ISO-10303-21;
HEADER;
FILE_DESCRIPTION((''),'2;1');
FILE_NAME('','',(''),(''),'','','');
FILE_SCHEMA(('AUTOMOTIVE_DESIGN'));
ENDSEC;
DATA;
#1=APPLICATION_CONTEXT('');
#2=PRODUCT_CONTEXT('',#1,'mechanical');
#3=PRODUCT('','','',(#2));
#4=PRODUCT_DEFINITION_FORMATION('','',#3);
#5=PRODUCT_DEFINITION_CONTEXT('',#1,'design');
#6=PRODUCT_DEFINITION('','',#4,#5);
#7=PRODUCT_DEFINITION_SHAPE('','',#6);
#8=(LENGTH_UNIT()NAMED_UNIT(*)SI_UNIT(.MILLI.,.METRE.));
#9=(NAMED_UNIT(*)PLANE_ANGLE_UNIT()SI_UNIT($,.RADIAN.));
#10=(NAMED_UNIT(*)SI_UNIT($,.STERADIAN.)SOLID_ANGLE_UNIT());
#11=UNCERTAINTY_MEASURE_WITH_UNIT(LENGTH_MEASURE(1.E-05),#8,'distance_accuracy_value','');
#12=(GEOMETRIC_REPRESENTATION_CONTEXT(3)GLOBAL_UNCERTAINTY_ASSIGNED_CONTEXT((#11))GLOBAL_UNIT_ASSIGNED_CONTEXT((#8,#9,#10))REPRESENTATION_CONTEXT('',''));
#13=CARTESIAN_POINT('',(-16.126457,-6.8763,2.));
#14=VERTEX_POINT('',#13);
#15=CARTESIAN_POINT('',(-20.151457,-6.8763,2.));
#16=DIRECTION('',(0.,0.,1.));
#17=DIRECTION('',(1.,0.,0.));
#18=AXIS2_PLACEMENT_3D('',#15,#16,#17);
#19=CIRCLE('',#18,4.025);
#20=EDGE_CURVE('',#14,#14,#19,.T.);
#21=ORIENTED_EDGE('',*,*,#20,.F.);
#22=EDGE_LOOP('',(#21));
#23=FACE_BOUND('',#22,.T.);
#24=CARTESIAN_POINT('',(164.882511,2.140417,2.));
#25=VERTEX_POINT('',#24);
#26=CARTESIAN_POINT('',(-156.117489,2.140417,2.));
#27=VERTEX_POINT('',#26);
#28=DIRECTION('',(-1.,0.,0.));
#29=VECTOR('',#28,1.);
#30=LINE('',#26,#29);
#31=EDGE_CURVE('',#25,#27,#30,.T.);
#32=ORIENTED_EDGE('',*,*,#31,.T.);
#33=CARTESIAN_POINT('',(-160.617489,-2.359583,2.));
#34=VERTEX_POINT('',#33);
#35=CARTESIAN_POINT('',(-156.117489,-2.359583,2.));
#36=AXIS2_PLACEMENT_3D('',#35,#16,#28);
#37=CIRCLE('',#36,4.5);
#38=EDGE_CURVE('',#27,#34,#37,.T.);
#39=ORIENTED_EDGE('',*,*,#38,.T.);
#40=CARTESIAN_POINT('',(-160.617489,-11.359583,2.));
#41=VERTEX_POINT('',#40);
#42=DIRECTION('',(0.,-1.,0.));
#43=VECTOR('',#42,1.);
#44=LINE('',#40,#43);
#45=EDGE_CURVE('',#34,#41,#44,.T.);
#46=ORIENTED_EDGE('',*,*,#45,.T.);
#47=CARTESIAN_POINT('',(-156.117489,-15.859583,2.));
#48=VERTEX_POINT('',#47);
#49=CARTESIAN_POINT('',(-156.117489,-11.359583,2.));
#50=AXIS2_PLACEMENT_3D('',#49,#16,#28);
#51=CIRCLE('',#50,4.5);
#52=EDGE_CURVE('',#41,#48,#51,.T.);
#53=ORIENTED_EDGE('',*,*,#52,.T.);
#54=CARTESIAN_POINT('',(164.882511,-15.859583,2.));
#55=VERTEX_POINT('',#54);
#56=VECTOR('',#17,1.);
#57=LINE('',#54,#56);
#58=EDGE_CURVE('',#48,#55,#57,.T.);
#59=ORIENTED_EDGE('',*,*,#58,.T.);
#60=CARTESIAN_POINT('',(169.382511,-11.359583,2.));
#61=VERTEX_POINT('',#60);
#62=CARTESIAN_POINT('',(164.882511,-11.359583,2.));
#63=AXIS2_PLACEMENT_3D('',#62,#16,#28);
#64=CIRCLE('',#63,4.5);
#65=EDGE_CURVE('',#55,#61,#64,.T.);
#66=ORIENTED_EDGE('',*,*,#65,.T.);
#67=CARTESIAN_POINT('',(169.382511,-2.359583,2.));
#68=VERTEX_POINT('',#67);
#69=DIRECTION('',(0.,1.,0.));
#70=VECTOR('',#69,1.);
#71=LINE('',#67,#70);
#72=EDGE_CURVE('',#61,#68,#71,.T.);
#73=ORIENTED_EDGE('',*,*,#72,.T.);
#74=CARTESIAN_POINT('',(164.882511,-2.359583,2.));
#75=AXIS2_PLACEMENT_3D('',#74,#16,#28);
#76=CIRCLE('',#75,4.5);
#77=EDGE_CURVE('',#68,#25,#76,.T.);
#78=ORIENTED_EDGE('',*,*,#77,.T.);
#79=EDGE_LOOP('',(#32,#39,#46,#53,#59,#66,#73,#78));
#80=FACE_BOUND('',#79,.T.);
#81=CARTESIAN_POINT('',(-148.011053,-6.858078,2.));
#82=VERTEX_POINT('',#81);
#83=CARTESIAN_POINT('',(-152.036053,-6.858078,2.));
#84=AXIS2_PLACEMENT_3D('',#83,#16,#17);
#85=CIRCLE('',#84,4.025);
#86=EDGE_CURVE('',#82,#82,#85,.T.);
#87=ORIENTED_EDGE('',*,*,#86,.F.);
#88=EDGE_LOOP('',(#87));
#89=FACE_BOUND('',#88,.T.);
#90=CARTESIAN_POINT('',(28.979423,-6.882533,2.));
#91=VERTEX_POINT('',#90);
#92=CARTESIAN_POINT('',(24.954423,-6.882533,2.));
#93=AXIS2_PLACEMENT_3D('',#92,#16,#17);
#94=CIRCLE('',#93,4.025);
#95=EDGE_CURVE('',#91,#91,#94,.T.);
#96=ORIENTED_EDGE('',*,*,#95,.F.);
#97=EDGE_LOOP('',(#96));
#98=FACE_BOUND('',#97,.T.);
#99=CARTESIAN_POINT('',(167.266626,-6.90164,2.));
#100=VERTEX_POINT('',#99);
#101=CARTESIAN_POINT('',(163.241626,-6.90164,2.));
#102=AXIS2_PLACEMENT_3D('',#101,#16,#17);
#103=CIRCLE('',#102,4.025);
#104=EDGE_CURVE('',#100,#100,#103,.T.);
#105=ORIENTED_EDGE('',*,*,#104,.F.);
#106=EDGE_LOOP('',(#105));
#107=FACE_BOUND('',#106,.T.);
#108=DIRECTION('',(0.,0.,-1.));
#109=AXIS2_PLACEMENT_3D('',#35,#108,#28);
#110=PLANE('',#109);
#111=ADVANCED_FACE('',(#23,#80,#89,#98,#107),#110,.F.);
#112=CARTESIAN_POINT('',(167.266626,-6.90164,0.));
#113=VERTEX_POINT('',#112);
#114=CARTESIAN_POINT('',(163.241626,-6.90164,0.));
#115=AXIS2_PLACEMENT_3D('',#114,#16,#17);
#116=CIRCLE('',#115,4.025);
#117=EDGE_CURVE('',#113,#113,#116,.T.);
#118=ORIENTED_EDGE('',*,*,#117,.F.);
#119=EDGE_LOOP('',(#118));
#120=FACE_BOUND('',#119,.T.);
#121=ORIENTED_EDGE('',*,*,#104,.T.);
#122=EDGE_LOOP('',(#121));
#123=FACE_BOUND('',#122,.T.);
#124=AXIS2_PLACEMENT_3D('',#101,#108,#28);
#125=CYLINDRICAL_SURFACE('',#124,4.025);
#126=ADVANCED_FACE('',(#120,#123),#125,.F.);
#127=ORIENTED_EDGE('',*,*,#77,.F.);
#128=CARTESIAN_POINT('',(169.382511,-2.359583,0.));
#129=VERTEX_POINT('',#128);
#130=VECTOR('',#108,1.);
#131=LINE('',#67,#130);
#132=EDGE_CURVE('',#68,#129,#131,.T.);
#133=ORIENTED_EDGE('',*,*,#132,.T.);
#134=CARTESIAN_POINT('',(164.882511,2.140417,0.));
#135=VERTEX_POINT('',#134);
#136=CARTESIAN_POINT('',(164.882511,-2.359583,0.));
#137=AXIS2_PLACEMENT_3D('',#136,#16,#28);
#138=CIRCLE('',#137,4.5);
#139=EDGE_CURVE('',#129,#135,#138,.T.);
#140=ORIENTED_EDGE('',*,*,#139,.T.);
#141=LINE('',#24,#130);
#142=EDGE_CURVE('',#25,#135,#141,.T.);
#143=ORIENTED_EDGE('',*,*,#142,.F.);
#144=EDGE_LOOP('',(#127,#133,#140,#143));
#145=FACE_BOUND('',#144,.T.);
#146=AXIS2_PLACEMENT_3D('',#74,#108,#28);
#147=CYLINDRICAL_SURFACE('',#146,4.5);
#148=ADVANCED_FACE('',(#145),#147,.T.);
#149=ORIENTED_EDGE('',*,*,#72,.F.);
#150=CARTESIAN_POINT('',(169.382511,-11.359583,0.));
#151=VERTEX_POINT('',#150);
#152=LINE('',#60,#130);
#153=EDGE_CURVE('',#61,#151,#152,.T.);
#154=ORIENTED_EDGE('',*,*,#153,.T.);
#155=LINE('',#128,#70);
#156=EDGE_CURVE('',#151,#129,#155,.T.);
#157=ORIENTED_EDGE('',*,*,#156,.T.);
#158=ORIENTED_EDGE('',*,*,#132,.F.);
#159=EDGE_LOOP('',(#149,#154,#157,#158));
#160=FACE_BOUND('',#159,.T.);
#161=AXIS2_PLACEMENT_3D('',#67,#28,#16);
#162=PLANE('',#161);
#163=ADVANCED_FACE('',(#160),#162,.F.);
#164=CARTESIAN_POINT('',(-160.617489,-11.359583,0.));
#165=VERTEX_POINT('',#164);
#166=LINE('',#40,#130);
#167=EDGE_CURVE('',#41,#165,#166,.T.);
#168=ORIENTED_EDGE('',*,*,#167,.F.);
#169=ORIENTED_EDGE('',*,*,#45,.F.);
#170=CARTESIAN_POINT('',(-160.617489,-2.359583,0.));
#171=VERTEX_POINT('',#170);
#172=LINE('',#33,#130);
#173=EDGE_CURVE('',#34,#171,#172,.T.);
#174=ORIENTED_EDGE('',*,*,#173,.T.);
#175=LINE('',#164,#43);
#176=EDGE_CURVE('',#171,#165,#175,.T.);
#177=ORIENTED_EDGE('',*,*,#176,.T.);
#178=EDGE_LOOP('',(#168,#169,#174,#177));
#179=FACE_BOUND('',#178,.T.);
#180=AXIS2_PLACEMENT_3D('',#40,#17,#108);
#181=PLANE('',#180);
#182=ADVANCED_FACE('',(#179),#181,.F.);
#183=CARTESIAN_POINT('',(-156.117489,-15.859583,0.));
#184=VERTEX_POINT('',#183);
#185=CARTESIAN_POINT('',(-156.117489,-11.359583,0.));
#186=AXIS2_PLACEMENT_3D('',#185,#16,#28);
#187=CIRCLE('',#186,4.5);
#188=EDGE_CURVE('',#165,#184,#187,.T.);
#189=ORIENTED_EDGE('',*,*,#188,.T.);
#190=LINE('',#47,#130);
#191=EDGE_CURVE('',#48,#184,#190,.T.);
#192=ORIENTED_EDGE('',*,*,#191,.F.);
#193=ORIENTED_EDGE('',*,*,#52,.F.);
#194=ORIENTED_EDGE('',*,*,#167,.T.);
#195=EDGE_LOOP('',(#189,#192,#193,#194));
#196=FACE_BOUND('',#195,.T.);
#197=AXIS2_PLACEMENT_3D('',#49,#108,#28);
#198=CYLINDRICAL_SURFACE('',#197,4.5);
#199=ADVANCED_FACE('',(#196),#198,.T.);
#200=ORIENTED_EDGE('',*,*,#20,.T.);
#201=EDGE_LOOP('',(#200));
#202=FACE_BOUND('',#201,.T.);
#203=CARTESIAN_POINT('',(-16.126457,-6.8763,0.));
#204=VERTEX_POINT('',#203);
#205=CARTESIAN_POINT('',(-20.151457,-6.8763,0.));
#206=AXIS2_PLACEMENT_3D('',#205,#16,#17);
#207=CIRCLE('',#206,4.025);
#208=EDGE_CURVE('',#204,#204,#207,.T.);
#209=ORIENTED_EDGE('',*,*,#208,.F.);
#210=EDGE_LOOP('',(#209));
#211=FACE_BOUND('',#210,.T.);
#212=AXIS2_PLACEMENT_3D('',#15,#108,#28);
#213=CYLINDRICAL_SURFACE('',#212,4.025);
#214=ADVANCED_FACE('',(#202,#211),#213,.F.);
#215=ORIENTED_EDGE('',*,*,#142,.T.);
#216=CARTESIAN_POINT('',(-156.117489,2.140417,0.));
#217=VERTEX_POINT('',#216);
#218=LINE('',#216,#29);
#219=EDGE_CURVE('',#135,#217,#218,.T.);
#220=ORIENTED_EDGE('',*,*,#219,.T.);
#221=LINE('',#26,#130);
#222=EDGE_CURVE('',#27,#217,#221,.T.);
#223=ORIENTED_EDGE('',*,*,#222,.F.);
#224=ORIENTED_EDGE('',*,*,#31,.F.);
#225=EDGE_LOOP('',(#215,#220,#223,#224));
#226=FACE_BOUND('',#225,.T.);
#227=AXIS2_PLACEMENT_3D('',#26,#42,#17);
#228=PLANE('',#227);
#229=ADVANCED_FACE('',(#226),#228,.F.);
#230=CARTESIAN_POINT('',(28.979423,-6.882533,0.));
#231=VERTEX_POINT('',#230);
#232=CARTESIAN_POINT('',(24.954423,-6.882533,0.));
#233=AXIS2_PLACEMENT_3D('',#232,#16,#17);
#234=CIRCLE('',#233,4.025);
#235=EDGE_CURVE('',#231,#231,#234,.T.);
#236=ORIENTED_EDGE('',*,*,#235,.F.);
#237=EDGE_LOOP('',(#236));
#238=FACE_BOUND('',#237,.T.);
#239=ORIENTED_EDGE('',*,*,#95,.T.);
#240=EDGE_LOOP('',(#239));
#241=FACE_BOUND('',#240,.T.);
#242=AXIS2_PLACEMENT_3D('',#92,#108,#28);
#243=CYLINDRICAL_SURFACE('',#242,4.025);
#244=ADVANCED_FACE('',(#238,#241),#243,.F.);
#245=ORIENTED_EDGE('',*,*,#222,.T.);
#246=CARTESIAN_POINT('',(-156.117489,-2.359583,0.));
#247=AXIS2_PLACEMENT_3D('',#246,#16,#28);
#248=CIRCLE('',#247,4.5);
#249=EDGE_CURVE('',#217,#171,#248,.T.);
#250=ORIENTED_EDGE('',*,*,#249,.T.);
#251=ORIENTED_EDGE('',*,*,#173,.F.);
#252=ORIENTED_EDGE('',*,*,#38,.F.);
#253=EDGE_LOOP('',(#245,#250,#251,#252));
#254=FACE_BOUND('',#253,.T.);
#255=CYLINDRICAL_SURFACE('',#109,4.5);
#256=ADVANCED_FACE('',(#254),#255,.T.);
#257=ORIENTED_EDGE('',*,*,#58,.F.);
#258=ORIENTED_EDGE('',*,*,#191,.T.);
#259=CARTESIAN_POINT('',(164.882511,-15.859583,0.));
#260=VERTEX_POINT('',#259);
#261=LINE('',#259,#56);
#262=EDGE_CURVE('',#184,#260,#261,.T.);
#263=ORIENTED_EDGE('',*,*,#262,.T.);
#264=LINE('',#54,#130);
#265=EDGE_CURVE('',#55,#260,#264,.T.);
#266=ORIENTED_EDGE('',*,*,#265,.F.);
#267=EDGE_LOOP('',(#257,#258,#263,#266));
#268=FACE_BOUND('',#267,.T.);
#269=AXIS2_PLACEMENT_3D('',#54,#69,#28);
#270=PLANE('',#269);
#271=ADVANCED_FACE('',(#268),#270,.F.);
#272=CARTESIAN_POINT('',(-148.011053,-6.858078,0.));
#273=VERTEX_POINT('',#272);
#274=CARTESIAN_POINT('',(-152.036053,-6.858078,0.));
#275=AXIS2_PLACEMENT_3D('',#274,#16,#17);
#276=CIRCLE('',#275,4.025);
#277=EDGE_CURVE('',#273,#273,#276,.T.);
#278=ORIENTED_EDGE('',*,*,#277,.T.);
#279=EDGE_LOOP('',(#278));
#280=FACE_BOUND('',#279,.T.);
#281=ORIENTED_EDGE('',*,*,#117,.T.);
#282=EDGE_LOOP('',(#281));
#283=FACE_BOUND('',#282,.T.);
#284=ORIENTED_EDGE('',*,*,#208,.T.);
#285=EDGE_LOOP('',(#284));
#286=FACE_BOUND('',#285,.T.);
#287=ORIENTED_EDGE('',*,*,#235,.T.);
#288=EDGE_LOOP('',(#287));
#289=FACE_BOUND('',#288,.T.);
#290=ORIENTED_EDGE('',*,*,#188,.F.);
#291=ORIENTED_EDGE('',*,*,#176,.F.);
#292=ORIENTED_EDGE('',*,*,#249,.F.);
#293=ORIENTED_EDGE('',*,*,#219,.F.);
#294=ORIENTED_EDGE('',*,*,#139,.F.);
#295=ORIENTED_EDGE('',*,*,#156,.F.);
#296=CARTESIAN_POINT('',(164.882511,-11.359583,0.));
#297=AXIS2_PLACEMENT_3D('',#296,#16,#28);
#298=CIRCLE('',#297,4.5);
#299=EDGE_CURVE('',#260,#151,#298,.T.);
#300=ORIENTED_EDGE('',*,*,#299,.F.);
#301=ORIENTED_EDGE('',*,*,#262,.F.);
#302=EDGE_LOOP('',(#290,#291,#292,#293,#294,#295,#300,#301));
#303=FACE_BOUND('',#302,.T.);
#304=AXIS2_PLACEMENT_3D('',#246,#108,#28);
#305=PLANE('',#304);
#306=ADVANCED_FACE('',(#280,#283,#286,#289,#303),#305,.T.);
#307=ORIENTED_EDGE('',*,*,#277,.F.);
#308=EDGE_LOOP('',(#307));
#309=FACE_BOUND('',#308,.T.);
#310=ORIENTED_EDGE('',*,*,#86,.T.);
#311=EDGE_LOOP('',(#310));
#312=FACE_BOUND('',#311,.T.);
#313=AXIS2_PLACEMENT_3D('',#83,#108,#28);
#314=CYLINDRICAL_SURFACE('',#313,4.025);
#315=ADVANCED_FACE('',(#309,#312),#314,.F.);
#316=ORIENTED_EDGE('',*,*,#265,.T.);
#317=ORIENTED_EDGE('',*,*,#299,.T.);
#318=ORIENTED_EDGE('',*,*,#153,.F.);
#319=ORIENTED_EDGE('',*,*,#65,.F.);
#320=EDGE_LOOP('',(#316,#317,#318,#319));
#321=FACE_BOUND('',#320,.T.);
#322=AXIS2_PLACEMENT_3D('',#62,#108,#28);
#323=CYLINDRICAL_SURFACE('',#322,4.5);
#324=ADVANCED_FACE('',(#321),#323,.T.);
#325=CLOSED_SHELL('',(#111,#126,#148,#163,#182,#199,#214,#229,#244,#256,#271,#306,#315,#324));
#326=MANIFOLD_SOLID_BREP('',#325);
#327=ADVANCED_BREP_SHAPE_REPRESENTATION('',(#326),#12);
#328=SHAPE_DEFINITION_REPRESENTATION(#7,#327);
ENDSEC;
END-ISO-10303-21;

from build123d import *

# Parameters (mm, degrees)
SKETCH1_R           = 4.025
BOSS_EXTRUDE1_DEPTH = 2


with BuildPart() as part:
    # Sketch1 → Boss-Extrude1 (new body)
    with BuildSketch(Plane.XY):
        with BuildLine():
            Line((-156.117488594, 2.14041693), (164.882511406, 2.14041693))
            ThreePointArc((164.882511406, 2.14041693), (168.064491921, 0.822397445), (169.382511406, -2.35958307))
            Line((169.382511406, -2.35958307), (169.382511406, -11.35958307))
            ThreePointArc((169.382511406, -11.35958307), (168.064491921, -14.541563585), (164.882511406, -15.85958307))
            Line((164.882511406, -15.85958307), (-156.117488594, -15.85958307))
            ThreePointArc((-156.117488594, -15.85958307), (-159.299469109, -14.541563585), (-160.617488594, -11.35958307))
            Line((-160.617488594, -11.35958307), (-160.617488594, -2.35958307))
            ThreePointArc((-160.617488594, -2.35958307), (-159.299469109, 0.822397445), (-156.117488594, 2.14041693))
        make_face()
        with Locations((-20.151456561, -6.876300424)):
            Circle(SKETCH1_R, mode=Mode.SUBTRACT)
        with Locations((24.954422803, -6.882532659)):
            Circle(SKETCH1_R, mode=Mode.SUBTRACT)
        with Locations((163.241625749, -6.901639704)):
            Circle(SKETCH1_R, mode=Mode.SUBTRACT)
        with Locations((-152.036053327, -6.858078098)):
            Circle(SKETCH1_R, mode=Mode.SUBTRACT)
    extrude(amount=BOSS_EXTRUDE1_DEPTH)


solid = part.part
